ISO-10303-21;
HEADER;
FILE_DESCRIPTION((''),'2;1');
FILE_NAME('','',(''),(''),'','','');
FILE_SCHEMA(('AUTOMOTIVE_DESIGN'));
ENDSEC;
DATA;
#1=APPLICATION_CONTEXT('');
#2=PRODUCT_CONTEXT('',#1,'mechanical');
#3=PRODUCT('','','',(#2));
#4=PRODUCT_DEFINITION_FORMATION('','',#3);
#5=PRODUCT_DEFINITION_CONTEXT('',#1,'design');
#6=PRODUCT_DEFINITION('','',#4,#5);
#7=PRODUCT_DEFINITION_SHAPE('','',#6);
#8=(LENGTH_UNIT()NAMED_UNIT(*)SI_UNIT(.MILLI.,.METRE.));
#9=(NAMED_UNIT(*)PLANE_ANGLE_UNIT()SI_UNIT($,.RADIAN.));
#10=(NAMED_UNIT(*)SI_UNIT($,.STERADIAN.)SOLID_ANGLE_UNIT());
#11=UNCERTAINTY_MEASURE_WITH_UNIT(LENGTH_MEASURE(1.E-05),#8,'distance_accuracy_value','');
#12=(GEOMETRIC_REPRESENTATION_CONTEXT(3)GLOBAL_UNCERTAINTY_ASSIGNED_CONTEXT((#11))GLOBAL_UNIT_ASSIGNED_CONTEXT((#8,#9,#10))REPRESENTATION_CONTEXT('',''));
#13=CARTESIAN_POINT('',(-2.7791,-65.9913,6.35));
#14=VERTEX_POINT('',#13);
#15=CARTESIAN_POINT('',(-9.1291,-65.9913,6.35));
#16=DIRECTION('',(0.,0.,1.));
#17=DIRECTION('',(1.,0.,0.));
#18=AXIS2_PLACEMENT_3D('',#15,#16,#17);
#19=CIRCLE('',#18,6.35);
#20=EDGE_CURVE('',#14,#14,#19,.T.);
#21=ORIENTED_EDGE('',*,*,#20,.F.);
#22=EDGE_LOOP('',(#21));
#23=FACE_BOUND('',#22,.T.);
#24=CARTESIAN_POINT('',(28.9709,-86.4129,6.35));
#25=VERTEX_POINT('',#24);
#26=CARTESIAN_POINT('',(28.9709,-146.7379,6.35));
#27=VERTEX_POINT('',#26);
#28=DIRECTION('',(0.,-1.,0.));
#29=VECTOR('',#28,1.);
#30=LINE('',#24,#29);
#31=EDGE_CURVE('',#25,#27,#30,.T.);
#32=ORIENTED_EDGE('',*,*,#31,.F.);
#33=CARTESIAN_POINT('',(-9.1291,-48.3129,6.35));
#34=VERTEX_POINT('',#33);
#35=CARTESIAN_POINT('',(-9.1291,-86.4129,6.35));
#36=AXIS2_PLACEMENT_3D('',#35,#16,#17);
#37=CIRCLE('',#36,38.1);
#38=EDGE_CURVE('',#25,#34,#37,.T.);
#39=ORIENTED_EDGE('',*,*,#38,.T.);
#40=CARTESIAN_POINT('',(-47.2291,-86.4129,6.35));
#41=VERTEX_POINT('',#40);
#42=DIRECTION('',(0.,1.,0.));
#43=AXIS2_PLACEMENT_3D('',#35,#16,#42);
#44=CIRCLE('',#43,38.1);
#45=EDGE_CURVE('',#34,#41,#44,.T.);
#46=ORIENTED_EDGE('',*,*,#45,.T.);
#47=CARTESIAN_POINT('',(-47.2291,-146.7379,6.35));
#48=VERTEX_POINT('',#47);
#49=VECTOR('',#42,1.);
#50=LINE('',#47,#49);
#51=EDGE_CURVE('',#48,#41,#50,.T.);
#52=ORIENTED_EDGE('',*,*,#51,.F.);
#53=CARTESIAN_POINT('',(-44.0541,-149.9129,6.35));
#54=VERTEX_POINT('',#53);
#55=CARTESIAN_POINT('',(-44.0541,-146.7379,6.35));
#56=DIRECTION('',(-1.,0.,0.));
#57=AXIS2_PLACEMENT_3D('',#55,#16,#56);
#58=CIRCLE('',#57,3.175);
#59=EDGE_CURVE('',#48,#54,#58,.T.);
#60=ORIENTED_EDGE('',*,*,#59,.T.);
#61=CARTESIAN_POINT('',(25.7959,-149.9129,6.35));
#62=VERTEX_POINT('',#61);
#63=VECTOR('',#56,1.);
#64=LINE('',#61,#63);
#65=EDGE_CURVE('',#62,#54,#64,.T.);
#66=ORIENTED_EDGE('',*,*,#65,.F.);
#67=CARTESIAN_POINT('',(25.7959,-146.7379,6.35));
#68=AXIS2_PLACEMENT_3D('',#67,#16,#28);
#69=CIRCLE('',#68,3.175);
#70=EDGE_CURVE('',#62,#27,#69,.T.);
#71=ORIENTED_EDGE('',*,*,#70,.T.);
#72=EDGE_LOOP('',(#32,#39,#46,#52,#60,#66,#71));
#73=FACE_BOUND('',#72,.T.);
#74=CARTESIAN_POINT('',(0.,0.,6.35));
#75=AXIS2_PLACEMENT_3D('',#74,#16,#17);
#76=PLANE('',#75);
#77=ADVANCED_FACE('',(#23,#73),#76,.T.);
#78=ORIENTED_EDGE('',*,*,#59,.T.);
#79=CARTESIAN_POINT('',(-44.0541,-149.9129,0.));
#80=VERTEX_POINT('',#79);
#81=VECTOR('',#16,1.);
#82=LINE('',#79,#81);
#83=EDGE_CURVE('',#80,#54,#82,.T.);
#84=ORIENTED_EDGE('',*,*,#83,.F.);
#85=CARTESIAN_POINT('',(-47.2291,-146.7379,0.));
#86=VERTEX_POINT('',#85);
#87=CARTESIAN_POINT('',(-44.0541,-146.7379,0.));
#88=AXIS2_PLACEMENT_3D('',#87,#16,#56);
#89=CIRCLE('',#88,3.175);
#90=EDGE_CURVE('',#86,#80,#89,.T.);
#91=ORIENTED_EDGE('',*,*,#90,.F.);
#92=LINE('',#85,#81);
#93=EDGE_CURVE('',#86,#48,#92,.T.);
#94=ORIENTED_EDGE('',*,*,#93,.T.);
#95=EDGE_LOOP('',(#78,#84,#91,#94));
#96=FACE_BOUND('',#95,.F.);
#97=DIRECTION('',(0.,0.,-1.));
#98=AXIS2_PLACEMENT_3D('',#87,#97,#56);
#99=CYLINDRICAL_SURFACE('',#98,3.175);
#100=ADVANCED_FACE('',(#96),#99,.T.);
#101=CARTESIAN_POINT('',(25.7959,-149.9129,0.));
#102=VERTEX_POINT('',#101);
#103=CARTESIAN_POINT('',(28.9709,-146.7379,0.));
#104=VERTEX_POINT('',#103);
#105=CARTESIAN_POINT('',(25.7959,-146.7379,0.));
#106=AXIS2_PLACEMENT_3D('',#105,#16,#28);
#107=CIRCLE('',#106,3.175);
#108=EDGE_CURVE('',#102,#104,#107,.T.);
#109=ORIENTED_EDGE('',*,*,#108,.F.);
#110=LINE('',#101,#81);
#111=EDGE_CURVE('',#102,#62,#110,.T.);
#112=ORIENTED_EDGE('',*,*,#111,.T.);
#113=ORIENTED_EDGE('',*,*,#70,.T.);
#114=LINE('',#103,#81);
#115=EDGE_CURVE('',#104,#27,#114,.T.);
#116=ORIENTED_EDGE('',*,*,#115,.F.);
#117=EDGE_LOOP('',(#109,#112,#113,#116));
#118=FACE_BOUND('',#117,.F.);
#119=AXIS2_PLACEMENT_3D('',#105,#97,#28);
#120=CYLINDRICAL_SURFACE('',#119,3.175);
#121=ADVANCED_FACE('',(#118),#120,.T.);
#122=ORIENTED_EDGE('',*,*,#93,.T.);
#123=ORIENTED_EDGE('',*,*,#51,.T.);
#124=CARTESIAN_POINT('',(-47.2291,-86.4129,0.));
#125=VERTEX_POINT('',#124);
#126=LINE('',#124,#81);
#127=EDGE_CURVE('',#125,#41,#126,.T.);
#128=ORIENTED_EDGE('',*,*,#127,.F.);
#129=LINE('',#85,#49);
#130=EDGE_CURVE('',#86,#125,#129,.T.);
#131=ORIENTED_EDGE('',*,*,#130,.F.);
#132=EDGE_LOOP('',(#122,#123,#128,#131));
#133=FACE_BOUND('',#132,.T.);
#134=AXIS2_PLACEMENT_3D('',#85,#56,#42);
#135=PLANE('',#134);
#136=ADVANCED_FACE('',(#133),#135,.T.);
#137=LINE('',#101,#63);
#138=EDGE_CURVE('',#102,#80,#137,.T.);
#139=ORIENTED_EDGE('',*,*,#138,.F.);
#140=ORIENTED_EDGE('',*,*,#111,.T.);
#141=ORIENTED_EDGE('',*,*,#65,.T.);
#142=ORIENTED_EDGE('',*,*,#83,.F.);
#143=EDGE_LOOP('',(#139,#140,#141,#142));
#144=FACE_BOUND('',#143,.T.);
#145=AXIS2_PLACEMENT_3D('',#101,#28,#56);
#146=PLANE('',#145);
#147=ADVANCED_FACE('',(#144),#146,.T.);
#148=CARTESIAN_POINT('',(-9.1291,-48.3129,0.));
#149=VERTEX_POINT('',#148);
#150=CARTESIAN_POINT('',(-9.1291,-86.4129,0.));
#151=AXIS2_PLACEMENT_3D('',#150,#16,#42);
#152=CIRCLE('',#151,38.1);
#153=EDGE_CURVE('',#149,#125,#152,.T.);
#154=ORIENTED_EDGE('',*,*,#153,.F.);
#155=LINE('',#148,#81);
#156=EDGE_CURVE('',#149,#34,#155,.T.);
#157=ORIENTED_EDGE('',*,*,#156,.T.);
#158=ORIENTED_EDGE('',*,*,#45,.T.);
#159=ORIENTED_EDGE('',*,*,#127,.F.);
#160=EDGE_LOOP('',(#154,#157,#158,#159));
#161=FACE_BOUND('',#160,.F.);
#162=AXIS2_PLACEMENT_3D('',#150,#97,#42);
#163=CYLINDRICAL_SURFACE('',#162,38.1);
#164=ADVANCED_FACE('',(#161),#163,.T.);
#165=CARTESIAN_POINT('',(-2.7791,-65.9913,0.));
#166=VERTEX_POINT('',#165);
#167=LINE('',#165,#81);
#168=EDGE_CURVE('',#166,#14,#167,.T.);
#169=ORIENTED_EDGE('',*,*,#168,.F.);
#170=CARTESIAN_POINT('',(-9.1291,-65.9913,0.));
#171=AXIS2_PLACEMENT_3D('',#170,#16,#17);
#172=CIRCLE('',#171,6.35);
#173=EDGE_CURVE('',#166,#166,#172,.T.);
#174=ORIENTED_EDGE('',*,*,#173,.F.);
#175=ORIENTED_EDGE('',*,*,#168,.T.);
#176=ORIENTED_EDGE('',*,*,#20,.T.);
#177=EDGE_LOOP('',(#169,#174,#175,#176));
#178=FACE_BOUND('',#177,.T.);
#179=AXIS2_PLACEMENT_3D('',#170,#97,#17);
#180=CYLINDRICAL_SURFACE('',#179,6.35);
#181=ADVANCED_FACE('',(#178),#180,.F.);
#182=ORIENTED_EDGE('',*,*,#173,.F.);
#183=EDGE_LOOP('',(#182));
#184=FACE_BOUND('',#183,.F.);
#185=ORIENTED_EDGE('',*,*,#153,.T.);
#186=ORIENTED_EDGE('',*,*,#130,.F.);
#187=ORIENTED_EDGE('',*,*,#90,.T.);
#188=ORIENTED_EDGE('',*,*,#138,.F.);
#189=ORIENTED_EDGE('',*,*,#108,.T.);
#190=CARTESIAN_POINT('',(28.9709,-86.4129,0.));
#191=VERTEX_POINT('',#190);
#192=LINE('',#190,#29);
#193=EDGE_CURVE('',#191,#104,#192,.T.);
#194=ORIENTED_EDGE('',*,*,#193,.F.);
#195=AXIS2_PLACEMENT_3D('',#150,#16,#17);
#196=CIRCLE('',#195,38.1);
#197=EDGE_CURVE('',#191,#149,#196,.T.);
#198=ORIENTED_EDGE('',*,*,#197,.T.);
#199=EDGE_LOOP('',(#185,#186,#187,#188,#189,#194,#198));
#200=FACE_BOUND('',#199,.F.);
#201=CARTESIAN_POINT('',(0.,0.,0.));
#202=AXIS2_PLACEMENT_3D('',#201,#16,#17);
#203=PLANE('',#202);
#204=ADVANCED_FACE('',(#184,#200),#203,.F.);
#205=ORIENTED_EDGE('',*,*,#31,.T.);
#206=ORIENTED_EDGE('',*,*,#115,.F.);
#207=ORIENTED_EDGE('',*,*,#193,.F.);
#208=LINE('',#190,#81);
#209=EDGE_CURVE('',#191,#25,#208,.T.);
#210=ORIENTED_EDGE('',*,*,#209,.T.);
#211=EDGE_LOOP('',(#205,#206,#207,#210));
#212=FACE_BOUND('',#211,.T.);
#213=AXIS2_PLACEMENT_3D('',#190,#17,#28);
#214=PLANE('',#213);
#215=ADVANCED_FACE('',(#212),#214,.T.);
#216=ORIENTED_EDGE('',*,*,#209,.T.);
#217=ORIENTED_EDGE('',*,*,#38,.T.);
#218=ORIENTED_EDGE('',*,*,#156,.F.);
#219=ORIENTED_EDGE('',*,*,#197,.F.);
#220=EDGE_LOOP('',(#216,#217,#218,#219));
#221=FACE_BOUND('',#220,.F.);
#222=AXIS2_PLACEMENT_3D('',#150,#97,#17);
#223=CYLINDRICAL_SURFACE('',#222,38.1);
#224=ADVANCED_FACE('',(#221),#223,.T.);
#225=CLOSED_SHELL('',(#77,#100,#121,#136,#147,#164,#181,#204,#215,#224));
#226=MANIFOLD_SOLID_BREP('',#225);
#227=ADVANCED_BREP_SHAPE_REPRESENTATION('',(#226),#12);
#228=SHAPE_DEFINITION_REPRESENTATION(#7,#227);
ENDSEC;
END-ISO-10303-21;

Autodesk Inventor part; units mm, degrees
ref_plane "YZ Plane" through (0, 0, 0) normal (1, 0, 0) x (0, 1, 0)
ref_plane "XZ Plane" through (0, 0, 0) normal (0, 1, 0) x (-1, 0, 0)
ref_plane "XY Plane" through (0, 0, 0) normal (0, 0, 1) x (1, 0, 0)
sketch "Sketch1" plane through (0, 0, 0) normal (0, 0, 1) x (1, 0, 0)
  circle A0 centre (-9.1291, -65.9913) radius 6.35
  line L0 (3.5709, -48.3129) -> (3.5709, -48.3129)
  line L1 (28.9709, -86.4129) -> (28.9709, -146.7379)
  line L2 (25.7959, -149.9129) -> (-44.0541, -149.9129)
  line L3 (-47.2291, -146.7379) -> (-47.2291, -86.4129)
  arc A1 (25.7959, -149.9129) -> (28.9709, -146.7379) centre (25.7959, -146.7379) ccw
  arc A2 (-47.2291, -146.7379) -> (-44.0541, -149.9129) centre (-44.0541, -146.7379) ccw
  line L4 (-9.1291, -48.3129) -> (-9.1291, -48.3129)
  arc A3 (-9.1291, -48.3129) -> (-47.2291, -86.4129) centre (-9.1291, -86.4129) ccw
  arc A4 (28.9709, -86.4129) -> (-9.1291, -48.3129) centre (-9.1291, -86.4129) ccw
  point P0 (0, 0)
  point P1 (28.9709, -149.9129)
  point P2 (-47.2291, -149.9129)
  point P3 (28.9709, -73.7129)
  dimension "d0" = 12.7
  dimension "d1" = 76.2
  dimension "d3" = 83.9216
  dimension "d4" = 38.1
  dimension "d11" = 101.6
  dimension "d12" = 38.1
extrude "Extrusion1" add sketch "Sketch1" along normal blind 6.35
properties part number "2 Stage Climer in a box lower bracket"
